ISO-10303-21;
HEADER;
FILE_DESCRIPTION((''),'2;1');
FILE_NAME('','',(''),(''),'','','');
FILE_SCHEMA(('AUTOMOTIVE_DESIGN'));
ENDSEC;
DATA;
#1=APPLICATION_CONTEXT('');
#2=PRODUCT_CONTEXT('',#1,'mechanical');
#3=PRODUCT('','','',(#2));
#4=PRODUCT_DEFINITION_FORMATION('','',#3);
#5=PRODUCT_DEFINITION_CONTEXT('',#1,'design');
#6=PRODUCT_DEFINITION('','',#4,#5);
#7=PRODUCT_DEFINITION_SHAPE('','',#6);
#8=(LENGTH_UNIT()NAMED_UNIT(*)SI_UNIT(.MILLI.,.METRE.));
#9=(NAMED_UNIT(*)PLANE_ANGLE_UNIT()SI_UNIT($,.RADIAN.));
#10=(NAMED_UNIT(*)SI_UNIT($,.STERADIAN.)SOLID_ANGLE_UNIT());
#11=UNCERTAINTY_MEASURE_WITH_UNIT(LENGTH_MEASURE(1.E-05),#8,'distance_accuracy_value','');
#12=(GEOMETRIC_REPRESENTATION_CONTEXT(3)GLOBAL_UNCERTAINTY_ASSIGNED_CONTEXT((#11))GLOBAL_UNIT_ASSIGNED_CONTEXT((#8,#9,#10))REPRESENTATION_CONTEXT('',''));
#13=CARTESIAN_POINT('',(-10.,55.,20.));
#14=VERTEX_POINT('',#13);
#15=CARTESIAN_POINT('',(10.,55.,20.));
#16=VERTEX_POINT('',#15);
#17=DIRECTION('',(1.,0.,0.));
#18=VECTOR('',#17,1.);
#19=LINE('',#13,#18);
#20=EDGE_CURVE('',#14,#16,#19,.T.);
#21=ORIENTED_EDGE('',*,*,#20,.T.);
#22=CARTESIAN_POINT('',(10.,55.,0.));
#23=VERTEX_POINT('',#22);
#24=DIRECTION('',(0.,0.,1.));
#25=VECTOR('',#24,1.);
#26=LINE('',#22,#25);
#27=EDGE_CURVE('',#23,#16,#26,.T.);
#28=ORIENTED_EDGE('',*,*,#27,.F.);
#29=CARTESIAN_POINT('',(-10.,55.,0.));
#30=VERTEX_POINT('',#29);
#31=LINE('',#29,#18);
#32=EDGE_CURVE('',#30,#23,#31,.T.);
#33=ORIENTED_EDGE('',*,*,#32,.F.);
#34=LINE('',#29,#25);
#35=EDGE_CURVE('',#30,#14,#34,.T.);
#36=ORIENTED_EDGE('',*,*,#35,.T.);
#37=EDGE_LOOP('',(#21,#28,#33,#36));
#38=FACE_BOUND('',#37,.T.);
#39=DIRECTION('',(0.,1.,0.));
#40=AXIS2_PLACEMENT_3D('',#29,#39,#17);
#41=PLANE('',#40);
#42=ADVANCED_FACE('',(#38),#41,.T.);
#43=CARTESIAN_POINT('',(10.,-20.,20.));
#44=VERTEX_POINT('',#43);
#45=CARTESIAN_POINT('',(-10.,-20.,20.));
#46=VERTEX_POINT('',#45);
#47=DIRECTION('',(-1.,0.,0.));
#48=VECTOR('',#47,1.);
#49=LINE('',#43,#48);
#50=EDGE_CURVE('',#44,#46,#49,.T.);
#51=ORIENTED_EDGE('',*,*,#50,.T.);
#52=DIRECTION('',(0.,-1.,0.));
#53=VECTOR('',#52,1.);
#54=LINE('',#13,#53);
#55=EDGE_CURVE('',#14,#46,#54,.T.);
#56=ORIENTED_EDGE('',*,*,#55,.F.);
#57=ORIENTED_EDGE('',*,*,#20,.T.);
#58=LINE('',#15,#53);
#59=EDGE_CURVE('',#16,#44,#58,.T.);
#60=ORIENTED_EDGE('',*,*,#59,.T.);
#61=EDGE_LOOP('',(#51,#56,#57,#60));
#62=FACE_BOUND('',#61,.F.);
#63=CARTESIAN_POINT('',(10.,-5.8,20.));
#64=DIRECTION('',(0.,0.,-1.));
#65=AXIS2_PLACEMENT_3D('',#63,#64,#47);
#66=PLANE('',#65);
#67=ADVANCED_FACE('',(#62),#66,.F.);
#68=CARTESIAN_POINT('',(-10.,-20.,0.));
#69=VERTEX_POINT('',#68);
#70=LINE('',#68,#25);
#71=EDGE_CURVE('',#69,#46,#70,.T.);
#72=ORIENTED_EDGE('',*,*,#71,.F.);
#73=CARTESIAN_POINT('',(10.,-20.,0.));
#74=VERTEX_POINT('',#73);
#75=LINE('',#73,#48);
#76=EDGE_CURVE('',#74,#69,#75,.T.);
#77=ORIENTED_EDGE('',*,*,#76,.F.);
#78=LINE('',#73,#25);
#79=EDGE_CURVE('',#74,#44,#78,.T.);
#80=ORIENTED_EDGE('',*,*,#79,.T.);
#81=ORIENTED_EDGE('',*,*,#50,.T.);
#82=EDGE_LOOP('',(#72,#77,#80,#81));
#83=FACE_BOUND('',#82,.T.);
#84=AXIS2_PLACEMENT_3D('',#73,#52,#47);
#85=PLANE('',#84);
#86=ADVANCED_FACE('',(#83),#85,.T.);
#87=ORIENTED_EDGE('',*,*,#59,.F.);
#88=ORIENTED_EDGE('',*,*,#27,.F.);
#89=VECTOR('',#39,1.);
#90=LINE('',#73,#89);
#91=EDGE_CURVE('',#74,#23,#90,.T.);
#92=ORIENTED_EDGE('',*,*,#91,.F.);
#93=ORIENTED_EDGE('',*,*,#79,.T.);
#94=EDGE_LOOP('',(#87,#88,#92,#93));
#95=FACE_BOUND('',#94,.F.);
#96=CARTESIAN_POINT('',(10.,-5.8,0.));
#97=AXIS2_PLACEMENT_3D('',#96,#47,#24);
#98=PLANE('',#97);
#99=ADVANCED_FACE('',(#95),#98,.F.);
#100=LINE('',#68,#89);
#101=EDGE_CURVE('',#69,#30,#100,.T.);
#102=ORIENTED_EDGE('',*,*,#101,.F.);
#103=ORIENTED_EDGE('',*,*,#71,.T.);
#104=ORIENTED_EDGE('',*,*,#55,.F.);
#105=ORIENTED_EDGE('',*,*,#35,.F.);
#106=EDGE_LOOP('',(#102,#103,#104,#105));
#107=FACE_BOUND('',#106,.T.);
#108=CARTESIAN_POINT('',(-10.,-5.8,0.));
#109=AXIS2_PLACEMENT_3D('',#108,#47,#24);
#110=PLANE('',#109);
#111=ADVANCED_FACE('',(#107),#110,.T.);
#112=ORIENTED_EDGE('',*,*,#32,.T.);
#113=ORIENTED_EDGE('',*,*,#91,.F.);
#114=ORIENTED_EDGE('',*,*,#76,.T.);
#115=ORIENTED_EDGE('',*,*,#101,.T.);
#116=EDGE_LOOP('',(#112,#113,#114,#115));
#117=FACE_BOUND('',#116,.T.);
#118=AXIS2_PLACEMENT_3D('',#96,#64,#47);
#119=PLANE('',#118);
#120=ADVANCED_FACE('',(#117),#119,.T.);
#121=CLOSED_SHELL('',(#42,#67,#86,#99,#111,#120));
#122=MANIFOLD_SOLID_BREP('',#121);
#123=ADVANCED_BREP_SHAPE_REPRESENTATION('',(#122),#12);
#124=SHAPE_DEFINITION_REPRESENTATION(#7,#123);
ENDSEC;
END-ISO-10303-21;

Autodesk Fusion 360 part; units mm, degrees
sketch "Sketch1" plane through (0, 0, 0) normal (0, 0, 1) x (1, 0, 0)
  line L0 (10, -45) -> (-10, -45)
  line L1 (-10, -45) -> (-10, 45)
  line L2 (-10, 45) -> (10, 45)
  line L3 (10, 45) -> (10, -45)
  line L4 (10, -45) -> (-10, 45) construction
  line L5 (-10, -45) -> (10, 45) construction
  dimension "d1" = 20
  dimension "d2" = 90
extrude "Extrude1" add sketch "Sketch1" along normal blind 20
extrude "Extrude2" add 1 faces at (-3.3333, 45, 6.6667) along direction (0, 1, 0) blind 10
extrude "Extrude3" cut 1 faces at (3.3333, -45, 6.6667) along direction (0, 1, 0) blind 39.2
extrude "Extrude4" add 1 faces at (3.3333, -5.8, 6.6667) along direction (0, -1, 0) blind 14.2
